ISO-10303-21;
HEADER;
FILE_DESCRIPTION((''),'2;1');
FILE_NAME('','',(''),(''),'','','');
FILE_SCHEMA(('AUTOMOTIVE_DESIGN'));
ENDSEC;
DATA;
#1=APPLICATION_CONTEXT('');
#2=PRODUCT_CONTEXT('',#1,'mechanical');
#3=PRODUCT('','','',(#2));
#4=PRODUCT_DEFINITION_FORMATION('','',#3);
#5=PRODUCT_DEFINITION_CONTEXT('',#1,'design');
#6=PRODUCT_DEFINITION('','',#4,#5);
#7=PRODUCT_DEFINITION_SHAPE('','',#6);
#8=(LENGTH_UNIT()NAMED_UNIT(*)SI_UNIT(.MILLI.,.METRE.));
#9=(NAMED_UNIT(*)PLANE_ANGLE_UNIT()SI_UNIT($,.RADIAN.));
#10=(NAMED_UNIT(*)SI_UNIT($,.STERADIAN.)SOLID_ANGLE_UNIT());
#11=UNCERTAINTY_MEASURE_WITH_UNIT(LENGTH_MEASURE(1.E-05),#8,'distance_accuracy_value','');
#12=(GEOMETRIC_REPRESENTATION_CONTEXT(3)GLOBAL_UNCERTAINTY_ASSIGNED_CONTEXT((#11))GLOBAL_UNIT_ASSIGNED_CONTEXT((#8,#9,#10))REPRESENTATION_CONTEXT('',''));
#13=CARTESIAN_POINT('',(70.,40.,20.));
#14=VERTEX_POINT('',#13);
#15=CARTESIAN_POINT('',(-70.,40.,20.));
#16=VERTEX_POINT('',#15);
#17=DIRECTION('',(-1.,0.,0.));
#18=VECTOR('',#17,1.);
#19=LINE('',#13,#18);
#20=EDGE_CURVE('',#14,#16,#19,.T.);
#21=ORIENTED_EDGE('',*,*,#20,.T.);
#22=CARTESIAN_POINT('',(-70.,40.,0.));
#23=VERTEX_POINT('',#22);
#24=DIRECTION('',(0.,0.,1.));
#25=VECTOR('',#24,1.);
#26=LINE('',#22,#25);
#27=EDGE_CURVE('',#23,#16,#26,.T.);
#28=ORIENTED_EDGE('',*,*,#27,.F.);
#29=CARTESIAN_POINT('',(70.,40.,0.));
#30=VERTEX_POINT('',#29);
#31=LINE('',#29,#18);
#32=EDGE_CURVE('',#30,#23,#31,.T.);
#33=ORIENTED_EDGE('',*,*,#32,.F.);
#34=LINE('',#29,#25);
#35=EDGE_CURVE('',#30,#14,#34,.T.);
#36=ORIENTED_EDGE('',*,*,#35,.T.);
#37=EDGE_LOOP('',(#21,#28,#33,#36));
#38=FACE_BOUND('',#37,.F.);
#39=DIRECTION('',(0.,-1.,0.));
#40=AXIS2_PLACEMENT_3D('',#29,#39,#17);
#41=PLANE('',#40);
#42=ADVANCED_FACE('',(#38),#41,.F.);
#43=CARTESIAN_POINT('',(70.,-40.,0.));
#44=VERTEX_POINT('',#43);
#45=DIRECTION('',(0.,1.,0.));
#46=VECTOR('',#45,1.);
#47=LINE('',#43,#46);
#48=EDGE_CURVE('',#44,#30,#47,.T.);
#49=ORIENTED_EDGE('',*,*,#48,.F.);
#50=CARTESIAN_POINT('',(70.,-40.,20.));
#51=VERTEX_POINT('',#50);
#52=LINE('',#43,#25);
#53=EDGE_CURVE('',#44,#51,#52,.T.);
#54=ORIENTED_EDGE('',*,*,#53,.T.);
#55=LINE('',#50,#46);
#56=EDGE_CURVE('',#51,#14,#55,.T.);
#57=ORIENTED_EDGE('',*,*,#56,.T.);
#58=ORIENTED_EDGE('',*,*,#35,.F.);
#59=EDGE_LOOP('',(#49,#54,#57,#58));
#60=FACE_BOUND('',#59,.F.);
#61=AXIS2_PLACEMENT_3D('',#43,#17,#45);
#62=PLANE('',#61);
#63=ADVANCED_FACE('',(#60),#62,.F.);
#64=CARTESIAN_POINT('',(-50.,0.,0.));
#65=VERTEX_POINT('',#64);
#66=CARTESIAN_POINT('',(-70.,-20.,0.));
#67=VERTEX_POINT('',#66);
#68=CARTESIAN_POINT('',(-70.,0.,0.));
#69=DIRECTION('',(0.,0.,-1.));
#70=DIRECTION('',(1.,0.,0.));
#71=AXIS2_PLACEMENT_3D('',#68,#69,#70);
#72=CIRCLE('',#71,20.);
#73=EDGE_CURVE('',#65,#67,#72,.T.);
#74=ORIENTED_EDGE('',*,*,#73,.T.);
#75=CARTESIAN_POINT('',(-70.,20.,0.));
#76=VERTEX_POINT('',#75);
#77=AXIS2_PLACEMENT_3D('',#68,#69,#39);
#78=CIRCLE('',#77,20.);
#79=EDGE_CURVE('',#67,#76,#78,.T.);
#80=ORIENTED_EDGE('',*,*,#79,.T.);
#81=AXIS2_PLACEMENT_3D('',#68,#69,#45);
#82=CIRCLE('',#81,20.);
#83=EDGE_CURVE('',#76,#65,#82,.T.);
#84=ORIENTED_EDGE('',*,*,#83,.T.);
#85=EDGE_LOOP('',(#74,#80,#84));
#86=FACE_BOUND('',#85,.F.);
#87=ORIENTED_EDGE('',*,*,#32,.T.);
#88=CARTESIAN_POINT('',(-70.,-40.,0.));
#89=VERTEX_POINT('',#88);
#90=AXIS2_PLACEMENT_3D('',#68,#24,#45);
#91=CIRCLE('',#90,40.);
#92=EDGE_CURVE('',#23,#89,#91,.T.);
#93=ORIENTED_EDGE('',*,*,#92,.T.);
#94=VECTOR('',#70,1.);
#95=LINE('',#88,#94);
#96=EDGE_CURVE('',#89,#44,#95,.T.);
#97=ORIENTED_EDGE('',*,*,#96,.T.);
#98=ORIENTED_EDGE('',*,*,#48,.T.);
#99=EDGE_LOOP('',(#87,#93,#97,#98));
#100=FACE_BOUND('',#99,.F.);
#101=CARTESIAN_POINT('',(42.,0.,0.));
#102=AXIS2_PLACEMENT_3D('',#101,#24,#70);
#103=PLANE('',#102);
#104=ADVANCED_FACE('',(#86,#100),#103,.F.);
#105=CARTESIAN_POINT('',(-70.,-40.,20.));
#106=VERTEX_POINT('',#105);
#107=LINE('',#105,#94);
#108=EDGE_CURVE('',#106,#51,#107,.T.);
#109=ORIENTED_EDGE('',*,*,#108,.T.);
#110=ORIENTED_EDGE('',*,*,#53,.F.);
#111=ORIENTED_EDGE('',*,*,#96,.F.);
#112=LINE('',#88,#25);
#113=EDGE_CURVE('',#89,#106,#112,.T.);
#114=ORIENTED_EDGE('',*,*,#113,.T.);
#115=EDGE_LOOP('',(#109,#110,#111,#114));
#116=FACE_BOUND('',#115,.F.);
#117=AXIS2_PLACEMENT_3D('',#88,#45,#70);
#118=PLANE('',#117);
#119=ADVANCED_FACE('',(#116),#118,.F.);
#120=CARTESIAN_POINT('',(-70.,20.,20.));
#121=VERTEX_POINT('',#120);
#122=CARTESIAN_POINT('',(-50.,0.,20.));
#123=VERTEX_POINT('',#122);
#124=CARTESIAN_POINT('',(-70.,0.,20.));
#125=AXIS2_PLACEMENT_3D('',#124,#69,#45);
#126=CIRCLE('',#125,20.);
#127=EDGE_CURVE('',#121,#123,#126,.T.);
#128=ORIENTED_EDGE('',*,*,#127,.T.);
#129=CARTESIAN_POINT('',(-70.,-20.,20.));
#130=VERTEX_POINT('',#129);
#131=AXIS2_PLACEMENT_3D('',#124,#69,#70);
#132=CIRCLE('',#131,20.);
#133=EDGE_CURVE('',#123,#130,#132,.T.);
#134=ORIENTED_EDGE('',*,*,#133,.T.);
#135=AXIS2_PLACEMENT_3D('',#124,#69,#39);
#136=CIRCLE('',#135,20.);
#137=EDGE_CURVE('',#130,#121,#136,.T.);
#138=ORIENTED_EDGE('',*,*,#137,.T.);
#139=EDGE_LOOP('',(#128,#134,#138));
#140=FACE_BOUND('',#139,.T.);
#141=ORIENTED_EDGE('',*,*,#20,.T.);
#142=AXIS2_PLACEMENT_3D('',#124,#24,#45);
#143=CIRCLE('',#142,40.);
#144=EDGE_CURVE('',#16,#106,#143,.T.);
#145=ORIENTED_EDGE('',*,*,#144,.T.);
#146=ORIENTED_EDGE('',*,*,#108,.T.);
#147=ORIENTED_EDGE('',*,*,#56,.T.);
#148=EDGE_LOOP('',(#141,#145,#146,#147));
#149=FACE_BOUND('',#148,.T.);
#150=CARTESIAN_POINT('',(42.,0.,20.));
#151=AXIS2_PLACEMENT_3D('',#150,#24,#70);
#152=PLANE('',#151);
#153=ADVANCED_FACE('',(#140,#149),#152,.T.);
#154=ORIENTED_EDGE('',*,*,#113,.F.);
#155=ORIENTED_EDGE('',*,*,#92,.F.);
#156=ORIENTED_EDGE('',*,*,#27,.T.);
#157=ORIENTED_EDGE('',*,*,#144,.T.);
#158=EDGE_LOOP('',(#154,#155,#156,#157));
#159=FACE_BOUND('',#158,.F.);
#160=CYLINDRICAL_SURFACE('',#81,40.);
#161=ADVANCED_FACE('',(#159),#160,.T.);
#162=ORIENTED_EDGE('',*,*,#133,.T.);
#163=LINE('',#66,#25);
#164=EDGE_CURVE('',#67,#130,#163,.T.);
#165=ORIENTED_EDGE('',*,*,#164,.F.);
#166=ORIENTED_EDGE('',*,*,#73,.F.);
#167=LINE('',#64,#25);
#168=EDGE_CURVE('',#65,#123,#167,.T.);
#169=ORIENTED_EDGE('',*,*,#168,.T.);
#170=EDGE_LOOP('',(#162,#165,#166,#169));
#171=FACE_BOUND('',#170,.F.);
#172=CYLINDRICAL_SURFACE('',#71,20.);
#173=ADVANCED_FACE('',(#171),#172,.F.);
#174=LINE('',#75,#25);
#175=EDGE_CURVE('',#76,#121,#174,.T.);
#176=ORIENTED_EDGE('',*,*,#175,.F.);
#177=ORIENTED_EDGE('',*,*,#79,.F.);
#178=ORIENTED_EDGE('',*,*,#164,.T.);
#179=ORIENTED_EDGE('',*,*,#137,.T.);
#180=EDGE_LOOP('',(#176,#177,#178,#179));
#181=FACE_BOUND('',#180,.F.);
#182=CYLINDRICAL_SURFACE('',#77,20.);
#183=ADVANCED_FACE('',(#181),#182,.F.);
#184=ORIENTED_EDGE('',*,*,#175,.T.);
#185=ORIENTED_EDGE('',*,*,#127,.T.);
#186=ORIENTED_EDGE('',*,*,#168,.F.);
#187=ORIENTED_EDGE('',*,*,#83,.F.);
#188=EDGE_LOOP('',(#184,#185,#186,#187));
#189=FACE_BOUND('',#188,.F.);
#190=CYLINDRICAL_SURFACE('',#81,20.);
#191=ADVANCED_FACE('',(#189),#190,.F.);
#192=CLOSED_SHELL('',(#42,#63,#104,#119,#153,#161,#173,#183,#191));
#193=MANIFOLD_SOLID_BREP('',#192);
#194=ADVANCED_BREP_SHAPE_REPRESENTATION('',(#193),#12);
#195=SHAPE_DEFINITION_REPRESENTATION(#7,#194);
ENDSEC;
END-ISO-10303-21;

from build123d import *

# Parameters (mm, degrees)
F1_DEPTH = 20


with BuildPart() as f1:
    # F0 (on Top) → F1 (new body)
    with BuildSketch(Plane.XY):
        Polygon((70, 20), (70, 40), (14, 40), (14, -40), (70, -40), (70, -20), align=None)
        Polygon((14, -40), (14, 40), (0, 40), (-30, 40), (-30, 0), (-30, -40), (-26, -40), align=None)
        with BuildLine():
            Line((-30, 0), (-30, 40))
            Line((-30, 40), (-70, 40))
            ThreePointArc((-70, 40), (-41.7157287525, 28.2842712475), (-30, 0))
        make_face()
        with BuildLine():
            ThreePointArc((-30, 0), (-41.7157287525, 28.2842712475), (-70, 40))
            Line((-70, 40), (-70, 20))
            ThreePointArc((-70, 20), (-55.8578643763, 14.1421356237), (-50, 0))
            ThreePointArc((-50, 0), (-55.8578643763, -14.1421356237), (-70, -20))
            Line((-70, -20), (-70, -40))
            ThreePointArc((-70, -40), (-41.7157287525, -28.2842712475), (-30, 0))
        make_face()
        with BuildLine():
            Line((-70, 20), (-70, 40))
            ThreePointArc((-70, 40), (-110, 0), (-70, -40))
            Line((-70, -40), (-70, -20))
            ThreePointArc((-70, -20), (-90, 0), (-70, 20))
        make_face()
        with BuildLine():
            Line((-30, -40), (-30, 0))
            ThreePointArc((-30, 0), (-41.7157287525, -28.2842712475), (-70, -40))
            Line((-70, -40), (-30, -40))
        make_face()
    extrude(amount=F1_DEPTH)


solid = f1.part
